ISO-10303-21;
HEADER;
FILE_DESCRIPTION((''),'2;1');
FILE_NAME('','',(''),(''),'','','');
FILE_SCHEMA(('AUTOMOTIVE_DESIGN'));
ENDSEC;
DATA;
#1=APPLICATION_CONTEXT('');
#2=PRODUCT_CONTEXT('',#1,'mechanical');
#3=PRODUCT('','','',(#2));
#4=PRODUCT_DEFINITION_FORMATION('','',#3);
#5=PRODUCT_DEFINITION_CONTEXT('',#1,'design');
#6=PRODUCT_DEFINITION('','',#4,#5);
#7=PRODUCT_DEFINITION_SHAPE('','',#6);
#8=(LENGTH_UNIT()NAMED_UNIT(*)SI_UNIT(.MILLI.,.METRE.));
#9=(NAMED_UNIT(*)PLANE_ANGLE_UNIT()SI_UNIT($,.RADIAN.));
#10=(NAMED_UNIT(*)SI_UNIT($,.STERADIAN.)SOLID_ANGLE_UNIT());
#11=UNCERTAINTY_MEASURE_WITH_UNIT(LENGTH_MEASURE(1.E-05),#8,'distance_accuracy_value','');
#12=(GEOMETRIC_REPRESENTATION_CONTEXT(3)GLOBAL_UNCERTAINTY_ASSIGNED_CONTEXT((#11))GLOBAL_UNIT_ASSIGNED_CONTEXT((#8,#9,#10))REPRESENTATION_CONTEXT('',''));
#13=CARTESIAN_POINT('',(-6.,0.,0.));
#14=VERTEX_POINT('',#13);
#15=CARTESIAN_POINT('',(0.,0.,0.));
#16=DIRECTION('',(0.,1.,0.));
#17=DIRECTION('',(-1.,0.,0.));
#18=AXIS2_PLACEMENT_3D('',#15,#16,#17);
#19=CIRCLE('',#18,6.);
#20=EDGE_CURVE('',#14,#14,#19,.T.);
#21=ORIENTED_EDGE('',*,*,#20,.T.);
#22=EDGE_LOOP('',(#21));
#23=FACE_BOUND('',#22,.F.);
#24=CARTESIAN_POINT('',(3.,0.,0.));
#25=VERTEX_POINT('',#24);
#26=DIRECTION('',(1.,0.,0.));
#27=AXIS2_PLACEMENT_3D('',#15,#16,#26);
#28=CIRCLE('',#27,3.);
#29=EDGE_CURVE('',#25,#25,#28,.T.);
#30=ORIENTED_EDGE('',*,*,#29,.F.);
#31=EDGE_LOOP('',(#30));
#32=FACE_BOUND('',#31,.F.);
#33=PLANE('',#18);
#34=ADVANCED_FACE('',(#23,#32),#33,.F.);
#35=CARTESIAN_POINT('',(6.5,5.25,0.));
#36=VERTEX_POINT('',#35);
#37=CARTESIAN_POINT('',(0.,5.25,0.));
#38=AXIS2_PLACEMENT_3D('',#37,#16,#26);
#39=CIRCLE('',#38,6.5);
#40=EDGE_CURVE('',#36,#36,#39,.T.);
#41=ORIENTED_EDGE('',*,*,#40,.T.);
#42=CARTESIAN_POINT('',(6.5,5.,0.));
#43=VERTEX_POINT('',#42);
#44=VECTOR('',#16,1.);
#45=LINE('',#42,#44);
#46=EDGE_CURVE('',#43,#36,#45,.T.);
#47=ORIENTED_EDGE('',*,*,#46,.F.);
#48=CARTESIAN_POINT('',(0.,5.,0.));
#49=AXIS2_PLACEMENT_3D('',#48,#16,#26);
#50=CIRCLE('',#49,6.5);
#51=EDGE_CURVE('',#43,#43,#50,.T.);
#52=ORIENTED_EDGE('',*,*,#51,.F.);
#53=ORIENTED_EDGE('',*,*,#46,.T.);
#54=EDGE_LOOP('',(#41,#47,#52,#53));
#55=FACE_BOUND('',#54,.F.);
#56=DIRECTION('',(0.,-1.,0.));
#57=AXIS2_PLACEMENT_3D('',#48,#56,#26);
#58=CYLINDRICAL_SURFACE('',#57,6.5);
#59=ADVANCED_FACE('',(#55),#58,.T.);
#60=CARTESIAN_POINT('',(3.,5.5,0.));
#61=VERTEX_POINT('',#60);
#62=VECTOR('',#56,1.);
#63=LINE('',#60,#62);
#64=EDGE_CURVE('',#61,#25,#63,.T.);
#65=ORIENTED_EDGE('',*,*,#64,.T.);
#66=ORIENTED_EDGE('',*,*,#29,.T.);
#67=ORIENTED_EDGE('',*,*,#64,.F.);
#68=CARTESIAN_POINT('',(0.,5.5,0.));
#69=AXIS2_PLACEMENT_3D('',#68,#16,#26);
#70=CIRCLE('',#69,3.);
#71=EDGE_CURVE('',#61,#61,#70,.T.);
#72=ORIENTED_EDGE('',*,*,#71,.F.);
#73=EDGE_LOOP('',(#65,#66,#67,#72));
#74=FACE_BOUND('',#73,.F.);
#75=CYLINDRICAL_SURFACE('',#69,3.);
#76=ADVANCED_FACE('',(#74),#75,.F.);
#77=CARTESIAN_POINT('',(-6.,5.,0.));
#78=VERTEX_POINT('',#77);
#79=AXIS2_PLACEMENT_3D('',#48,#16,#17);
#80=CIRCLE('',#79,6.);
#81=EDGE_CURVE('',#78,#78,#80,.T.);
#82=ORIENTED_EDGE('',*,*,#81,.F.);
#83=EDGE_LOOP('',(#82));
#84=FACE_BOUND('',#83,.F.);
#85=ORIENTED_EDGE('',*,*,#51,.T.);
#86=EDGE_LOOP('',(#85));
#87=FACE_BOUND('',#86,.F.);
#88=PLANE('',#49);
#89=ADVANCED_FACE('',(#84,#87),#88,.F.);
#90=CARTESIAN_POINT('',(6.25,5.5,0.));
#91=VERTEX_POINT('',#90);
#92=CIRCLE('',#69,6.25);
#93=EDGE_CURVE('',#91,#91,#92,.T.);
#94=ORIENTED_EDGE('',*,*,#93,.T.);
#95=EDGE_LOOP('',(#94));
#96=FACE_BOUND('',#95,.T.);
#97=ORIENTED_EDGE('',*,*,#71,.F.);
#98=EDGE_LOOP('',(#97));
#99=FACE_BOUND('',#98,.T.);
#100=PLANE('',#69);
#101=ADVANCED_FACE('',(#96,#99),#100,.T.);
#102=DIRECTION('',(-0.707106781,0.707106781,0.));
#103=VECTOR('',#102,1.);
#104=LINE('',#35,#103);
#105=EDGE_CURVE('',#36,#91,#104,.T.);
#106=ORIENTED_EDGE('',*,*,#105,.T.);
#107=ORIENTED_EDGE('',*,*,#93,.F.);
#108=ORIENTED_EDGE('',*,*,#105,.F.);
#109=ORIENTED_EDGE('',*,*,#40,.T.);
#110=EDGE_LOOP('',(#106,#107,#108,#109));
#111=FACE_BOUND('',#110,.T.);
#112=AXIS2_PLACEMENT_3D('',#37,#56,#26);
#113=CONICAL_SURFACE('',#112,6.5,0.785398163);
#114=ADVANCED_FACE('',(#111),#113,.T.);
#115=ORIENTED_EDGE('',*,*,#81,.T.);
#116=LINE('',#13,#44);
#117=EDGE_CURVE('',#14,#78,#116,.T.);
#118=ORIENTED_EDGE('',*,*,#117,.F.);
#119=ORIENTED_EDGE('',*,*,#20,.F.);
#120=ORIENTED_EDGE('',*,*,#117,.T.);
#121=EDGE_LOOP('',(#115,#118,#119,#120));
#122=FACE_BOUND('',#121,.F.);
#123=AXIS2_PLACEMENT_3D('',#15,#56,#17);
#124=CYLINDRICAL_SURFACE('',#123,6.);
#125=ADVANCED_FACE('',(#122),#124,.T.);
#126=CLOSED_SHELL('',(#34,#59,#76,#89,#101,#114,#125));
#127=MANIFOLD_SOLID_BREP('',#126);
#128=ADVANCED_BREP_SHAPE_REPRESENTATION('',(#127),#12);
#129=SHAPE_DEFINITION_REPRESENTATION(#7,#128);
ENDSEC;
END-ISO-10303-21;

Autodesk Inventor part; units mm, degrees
ref_plane "YZ Plane" through (0, 0, 0) normal (1, 0, 0) x (0, 1, 0)
ref_plane "XZ Plane" through (0, 0, 0) normal (0, 1, 0) x (-1, 0, 0)
ref_plane "XY Plane" through (0, 0, 0) normal (0, 0, 1) x (1, 0, 0)
sketch "Sketch1" plane through (0, 0, 0) normal (0, 1, 0) x (-1, 0, 0)
  circle A0 centre (0, 0) radius 6
  dimension "d0" = 12
extrude "Extrusion1" add sketch "Sketch1" along normal blind 5
sketch "Sketch2" plane through (0, 5, 0) normal (0, 1, 0) x (1, 0, 0)
  circle A0 centre (0, 0) radius 6 projected
  circle A1 centre (0, 0) radius 6.5
  dimension "d3" = 13
extrude "Extrusion2" add sketch "Sketch2" along normal blind 0.5 contours A0 | A1
chamfer "Chamfer1" distance 0.25 angle 45 1 edges at (-6.5, 5.5, 0)
sketch "Sketch3" plane through (0, 5.5, 0) normal (0, 1, 0) x (1, 0, 0)
  circle A0 centre (0, 0) radius 6.25 projected
  circle A1 centre (0, 0) radius 3
  dimension "d9" = 6
extrude "Extrusion3" cut sketch "Sketch3" against normal through all contours A1
properties part number "500-125" material "ABS Plastic"
